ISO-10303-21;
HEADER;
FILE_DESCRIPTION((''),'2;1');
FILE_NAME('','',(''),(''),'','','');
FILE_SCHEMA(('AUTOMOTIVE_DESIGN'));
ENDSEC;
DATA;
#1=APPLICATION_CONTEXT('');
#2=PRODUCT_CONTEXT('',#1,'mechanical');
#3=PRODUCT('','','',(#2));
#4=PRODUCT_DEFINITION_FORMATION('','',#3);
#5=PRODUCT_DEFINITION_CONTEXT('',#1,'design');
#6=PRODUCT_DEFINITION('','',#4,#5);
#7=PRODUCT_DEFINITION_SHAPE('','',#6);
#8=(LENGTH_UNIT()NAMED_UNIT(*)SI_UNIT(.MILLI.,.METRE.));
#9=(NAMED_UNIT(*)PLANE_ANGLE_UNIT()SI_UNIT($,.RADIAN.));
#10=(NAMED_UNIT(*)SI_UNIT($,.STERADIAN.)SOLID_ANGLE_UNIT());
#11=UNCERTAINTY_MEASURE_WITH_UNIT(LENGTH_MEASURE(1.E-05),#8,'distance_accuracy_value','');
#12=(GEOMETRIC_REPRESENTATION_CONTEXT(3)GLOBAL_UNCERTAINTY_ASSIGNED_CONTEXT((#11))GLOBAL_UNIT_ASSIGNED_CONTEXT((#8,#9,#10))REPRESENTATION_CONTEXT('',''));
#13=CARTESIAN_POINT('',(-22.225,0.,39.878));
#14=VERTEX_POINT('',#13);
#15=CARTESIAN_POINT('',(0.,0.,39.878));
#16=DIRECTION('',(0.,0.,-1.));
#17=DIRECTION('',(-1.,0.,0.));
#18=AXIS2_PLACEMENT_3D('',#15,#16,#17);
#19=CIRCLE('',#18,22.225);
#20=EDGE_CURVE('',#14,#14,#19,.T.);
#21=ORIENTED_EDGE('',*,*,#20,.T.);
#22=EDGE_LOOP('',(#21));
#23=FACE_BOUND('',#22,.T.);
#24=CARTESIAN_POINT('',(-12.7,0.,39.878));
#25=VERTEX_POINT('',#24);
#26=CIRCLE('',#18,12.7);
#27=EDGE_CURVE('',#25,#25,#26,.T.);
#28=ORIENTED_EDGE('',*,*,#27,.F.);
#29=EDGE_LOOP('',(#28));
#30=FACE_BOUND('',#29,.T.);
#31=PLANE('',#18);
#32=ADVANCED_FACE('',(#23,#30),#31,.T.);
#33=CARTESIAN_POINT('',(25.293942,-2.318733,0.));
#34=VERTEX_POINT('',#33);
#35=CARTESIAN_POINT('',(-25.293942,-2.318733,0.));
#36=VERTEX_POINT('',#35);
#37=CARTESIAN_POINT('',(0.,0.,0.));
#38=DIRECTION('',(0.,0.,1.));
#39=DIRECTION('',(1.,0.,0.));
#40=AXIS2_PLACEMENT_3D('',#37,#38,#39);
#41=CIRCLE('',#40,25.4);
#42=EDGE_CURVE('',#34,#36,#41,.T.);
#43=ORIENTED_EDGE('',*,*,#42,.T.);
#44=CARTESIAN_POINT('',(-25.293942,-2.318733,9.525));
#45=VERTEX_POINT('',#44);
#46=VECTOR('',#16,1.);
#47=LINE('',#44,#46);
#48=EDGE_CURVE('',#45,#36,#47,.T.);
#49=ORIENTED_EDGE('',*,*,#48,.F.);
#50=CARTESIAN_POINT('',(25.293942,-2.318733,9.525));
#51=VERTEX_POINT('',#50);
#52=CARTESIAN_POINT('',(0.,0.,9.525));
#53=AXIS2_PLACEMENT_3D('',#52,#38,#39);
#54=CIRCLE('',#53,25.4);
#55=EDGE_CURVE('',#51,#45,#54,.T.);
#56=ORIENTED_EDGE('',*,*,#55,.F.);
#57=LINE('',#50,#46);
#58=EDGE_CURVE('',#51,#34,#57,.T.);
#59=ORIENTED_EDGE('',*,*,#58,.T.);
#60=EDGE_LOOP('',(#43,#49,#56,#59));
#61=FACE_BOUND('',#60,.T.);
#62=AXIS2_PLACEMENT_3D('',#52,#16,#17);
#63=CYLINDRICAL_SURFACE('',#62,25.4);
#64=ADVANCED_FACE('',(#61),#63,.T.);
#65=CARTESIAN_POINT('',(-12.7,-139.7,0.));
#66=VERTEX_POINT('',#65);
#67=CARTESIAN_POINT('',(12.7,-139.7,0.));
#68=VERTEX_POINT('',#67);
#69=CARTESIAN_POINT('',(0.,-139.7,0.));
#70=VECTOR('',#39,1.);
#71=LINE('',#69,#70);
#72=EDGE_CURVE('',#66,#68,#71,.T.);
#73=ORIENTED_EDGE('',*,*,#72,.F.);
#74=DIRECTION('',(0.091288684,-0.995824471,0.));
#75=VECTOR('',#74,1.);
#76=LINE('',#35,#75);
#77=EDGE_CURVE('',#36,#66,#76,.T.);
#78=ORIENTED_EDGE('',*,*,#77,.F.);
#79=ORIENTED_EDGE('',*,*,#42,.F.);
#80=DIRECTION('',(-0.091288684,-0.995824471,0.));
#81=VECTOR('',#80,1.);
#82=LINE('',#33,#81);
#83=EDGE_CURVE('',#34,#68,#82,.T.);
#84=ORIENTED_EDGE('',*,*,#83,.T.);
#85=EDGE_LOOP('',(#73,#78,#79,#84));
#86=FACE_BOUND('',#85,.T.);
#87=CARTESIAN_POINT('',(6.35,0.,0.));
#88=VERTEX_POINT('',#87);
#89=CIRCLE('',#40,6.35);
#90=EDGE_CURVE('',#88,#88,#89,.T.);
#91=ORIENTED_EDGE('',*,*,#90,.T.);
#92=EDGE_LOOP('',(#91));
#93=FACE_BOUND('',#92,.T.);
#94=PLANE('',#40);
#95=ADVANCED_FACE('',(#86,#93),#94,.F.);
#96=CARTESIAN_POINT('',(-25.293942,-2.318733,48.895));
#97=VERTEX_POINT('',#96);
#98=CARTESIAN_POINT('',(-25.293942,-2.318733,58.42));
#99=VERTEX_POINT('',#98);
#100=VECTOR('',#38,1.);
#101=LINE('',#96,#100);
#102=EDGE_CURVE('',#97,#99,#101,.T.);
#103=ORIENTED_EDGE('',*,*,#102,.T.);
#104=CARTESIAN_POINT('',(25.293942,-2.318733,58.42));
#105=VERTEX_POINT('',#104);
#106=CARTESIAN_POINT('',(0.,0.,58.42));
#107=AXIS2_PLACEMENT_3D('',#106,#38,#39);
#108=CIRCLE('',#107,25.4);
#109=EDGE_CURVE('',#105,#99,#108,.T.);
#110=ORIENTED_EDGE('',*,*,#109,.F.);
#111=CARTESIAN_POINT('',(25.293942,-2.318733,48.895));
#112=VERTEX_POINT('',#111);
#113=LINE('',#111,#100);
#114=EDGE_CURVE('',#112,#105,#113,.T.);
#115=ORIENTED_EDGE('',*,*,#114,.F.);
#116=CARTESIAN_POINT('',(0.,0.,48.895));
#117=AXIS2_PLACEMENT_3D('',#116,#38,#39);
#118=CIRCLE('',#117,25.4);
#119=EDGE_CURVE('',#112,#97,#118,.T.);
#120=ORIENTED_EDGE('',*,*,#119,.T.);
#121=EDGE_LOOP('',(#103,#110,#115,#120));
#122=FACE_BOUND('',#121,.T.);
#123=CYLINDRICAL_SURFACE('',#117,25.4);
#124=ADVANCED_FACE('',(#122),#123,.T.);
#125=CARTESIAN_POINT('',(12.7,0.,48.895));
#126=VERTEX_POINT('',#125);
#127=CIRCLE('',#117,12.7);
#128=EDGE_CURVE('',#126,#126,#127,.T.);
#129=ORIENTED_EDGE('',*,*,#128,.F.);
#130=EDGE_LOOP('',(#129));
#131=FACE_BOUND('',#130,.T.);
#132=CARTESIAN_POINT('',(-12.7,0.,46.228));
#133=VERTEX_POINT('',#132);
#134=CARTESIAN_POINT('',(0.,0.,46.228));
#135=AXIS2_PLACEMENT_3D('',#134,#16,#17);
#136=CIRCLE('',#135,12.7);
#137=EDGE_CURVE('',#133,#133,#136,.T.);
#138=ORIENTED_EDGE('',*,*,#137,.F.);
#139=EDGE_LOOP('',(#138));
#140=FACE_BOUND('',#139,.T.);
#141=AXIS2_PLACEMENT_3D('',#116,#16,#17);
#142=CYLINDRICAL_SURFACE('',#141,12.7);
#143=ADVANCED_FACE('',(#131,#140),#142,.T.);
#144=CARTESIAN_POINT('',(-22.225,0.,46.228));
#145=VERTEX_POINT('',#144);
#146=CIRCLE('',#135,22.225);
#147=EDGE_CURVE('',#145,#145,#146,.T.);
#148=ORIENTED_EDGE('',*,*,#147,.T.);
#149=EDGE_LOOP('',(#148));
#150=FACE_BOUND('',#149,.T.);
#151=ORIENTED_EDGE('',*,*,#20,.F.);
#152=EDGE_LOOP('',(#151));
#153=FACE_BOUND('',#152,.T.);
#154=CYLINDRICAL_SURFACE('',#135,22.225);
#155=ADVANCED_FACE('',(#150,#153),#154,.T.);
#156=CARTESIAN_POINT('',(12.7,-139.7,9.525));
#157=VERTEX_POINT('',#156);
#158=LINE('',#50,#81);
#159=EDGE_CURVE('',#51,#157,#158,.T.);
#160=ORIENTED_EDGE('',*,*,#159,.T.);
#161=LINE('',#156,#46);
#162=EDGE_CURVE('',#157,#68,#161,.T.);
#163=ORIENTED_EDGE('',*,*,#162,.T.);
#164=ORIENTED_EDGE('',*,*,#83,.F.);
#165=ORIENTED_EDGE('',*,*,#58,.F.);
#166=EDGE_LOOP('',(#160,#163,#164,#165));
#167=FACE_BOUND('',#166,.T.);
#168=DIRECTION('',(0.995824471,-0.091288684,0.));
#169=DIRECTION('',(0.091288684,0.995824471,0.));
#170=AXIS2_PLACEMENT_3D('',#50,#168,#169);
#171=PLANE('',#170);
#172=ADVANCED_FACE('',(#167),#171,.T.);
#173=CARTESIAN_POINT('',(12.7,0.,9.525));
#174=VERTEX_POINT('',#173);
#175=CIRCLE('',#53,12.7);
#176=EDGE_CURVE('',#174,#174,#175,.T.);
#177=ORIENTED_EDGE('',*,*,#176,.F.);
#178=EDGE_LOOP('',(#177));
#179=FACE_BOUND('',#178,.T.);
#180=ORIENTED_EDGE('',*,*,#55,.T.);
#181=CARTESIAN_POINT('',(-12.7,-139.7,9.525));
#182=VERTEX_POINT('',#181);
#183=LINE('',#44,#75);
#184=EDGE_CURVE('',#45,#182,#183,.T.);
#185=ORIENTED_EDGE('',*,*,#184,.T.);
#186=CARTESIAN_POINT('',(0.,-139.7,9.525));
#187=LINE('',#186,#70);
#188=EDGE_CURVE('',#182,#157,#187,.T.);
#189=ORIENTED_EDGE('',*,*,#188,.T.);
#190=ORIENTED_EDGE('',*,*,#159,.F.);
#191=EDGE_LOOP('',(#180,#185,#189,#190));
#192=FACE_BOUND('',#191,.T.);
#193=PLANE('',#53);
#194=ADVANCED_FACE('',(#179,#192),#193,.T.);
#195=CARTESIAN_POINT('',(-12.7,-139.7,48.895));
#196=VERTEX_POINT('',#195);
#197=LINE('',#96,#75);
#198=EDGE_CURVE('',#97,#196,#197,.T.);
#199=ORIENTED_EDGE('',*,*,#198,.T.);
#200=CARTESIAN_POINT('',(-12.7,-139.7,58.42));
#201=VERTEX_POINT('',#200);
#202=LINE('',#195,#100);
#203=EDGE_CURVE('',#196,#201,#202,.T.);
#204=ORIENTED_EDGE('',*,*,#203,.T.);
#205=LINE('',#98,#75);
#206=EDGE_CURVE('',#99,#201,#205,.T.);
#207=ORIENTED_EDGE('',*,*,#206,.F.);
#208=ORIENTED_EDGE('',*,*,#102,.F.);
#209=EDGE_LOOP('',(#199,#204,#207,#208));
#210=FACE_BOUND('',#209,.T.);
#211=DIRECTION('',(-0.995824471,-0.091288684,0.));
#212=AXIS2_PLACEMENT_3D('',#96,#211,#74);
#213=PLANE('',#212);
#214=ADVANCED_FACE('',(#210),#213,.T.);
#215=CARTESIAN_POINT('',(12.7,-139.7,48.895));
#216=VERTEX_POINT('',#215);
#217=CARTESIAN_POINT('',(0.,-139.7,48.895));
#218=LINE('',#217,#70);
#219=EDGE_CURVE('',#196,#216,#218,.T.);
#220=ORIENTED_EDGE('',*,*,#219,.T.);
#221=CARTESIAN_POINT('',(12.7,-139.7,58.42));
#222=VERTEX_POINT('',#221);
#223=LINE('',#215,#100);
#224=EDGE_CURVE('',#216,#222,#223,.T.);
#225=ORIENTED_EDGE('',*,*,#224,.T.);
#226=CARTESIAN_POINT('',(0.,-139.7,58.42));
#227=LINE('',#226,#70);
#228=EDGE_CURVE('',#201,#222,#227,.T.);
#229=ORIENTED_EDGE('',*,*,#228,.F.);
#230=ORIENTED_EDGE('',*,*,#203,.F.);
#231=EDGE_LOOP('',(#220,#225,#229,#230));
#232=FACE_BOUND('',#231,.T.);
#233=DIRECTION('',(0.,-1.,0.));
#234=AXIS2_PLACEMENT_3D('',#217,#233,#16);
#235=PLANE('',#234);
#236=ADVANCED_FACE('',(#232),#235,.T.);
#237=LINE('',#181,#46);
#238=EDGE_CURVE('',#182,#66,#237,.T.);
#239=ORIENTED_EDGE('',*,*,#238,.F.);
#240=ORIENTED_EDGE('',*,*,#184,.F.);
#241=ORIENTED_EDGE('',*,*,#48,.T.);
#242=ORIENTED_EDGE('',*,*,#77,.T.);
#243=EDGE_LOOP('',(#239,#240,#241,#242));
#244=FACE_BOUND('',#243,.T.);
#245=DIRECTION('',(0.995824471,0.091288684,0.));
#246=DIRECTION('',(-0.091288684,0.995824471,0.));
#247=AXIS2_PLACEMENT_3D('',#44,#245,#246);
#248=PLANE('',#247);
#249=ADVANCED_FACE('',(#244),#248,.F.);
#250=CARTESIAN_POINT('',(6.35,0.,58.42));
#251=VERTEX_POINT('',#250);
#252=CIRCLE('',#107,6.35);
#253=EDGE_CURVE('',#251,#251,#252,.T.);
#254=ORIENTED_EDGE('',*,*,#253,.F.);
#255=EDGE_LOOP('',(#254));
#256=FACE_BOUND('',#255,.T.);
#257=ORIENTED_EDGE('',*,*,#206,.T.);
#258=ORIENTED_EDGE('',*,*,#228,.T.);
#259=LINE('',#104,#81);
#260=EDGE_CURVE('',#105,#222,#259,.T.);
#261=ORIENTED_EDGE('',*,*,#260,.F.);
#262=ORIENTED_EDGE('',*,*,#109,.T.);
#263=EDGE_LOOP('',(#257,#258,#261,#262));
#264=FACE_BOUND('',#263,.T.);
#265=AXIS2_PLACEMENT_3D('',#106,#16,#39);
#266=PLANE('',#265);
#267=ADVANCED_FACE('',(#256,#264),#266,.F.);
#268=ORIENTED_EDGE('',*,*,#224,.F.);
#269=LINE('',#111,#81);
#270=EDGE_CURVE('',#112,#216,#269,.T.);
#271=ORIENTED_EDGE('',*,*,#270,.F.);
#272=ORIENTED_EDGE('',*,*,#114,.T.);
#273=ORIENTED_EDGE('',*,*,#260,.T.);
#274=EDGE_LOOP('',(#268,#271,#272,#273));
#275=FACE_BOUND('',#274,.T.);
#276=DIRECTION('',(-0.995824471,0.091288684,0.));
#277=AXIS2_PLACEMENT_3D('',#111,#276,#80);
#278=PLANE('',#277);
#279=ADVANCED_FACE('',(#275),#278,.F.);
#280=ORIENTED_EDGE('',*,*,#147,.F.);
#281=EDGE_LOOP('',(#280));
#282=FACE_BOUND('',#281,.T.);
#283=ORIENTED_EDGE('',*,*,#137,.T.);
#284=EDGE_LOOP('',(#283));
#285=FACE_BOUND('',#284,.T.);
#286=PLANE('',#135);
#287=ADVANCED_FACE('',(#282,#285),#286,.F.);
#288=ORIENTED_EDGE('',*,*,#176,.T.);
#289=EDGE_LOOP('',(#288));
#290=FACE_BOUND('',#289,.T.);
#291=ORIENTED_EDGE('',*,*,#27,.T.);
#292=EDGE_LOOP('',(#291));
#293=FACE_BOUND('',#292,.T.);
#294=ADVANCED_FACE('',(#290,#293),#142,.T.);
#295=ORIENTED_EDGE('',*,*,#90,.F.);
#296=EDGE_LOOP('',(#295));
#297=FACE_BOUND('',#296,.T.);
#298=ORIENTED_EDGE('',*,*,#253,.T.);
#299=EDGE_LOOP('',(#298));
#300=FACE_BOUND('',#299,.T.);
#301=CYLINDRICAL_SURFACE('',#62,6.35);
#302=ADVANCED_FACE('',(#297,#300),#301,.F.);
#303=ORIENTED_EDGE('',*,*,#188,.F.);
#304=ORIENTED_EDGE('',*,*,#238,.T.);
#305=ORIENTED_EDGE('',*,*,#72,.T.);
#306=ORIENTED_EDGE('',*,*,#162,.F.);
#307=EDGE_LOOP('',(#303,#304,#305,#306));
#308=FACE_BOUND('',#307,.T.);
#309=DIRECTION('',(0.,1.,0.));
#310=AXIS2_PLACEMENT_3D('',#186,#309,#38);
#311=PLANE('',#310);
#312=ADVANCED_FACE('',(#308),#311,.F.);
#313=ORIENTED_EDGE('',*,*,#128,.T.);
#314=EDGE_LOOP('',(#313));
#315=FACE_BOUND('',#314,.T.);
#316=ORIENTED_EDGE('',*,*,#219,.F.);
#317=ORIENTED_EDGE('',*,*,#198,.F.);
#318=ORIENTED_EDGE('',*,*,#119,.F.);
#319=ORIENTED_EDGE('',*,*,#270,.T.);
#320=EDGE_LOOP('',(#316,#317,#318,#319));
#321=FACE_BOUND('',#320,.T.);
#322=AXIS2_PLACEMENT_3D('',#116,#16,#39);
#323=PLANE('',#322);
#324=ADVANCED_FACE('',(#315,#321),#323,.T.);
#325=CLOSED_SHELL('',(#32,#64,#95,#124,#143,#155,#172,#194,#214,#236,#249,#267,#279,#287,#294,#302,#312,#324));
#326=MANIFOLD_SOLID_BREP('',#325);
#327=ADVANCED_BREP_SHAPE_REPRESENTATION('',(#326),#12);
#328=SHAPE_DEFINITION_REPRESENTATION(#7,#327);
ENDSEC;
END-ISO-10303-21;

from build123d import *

# Parameters (mm, degrees)
SKETCH1_R           = 25.4
SKETCH1_R_2         = 6.35
BOSS_EXTRUDE1_DEPTH = 9.525
SKETCH2_R           = 12.7
SKETCH2_R_2         = 6.35
BOSS_EXTRUDE2_DEPTH = 39.37
SKETCH3_R           = 22.225
SKETCH3_R_2         = 12.7
BOSS_EXTRUDE3_DEPTH = 6.35


with BuildPart() as part:
    # Sketch1 → Boss-Extrude1 (new body)
    with BuildSketch(Plane.XY):
        with BuildLine():
            ThreePointArc((25.293941551, -2.318732586), (0, -25.4), (-25.293941551, -2.318732586))
            Line((-25.293941551, -2.318732586), (-12.7, -139.7))
            Line((-12.7, -139.7), (12.7, -139.7))
            Line((12.7, -139.7), (25.293941551, -2.318732586))
        make_face()
        Circle(SKETCH1_R)
        Circle(SKETCH1_R_2, mode=Mode.SUBTRACT)
    boss_extrude1 = extrude(amount=BOSS_EXTRUDE1_DEPTH)

    # Sketch2 → Boss-Extrude2 (add)
    with BuildSketch(Plane.XY.offset(9.525)):
        Circle(SKETCH2_R)
        Circle(SKETCH2_R_2, mode=Mode.SUBTRACT)
    extrude(amount=BOSS_EXTRUDE2_DEPTH)

    # Mirror2: Boss-Extrude1 across plane
    add(boss_extrude1.mirror(Plane(origin=(0, 0, 29.21), x_dir=(1, 0, 0), z_dir=(0, 0, -1))))

    # Sketch3 → Boss-Extrude3 (add)
    with BuildSketch(Plane(origin=(0, 0, 39.878), x_dir=(-1, 0, 0), z_dir=(0, 0, -1))):
        Circle(SKETCH3_R)
        Circle(SKETCH3_R_2, mode=Mode.SUBTRACT)
    extrude(amount=-BOSS_EXTRUDE3_DEPTH)


solid = part.part
